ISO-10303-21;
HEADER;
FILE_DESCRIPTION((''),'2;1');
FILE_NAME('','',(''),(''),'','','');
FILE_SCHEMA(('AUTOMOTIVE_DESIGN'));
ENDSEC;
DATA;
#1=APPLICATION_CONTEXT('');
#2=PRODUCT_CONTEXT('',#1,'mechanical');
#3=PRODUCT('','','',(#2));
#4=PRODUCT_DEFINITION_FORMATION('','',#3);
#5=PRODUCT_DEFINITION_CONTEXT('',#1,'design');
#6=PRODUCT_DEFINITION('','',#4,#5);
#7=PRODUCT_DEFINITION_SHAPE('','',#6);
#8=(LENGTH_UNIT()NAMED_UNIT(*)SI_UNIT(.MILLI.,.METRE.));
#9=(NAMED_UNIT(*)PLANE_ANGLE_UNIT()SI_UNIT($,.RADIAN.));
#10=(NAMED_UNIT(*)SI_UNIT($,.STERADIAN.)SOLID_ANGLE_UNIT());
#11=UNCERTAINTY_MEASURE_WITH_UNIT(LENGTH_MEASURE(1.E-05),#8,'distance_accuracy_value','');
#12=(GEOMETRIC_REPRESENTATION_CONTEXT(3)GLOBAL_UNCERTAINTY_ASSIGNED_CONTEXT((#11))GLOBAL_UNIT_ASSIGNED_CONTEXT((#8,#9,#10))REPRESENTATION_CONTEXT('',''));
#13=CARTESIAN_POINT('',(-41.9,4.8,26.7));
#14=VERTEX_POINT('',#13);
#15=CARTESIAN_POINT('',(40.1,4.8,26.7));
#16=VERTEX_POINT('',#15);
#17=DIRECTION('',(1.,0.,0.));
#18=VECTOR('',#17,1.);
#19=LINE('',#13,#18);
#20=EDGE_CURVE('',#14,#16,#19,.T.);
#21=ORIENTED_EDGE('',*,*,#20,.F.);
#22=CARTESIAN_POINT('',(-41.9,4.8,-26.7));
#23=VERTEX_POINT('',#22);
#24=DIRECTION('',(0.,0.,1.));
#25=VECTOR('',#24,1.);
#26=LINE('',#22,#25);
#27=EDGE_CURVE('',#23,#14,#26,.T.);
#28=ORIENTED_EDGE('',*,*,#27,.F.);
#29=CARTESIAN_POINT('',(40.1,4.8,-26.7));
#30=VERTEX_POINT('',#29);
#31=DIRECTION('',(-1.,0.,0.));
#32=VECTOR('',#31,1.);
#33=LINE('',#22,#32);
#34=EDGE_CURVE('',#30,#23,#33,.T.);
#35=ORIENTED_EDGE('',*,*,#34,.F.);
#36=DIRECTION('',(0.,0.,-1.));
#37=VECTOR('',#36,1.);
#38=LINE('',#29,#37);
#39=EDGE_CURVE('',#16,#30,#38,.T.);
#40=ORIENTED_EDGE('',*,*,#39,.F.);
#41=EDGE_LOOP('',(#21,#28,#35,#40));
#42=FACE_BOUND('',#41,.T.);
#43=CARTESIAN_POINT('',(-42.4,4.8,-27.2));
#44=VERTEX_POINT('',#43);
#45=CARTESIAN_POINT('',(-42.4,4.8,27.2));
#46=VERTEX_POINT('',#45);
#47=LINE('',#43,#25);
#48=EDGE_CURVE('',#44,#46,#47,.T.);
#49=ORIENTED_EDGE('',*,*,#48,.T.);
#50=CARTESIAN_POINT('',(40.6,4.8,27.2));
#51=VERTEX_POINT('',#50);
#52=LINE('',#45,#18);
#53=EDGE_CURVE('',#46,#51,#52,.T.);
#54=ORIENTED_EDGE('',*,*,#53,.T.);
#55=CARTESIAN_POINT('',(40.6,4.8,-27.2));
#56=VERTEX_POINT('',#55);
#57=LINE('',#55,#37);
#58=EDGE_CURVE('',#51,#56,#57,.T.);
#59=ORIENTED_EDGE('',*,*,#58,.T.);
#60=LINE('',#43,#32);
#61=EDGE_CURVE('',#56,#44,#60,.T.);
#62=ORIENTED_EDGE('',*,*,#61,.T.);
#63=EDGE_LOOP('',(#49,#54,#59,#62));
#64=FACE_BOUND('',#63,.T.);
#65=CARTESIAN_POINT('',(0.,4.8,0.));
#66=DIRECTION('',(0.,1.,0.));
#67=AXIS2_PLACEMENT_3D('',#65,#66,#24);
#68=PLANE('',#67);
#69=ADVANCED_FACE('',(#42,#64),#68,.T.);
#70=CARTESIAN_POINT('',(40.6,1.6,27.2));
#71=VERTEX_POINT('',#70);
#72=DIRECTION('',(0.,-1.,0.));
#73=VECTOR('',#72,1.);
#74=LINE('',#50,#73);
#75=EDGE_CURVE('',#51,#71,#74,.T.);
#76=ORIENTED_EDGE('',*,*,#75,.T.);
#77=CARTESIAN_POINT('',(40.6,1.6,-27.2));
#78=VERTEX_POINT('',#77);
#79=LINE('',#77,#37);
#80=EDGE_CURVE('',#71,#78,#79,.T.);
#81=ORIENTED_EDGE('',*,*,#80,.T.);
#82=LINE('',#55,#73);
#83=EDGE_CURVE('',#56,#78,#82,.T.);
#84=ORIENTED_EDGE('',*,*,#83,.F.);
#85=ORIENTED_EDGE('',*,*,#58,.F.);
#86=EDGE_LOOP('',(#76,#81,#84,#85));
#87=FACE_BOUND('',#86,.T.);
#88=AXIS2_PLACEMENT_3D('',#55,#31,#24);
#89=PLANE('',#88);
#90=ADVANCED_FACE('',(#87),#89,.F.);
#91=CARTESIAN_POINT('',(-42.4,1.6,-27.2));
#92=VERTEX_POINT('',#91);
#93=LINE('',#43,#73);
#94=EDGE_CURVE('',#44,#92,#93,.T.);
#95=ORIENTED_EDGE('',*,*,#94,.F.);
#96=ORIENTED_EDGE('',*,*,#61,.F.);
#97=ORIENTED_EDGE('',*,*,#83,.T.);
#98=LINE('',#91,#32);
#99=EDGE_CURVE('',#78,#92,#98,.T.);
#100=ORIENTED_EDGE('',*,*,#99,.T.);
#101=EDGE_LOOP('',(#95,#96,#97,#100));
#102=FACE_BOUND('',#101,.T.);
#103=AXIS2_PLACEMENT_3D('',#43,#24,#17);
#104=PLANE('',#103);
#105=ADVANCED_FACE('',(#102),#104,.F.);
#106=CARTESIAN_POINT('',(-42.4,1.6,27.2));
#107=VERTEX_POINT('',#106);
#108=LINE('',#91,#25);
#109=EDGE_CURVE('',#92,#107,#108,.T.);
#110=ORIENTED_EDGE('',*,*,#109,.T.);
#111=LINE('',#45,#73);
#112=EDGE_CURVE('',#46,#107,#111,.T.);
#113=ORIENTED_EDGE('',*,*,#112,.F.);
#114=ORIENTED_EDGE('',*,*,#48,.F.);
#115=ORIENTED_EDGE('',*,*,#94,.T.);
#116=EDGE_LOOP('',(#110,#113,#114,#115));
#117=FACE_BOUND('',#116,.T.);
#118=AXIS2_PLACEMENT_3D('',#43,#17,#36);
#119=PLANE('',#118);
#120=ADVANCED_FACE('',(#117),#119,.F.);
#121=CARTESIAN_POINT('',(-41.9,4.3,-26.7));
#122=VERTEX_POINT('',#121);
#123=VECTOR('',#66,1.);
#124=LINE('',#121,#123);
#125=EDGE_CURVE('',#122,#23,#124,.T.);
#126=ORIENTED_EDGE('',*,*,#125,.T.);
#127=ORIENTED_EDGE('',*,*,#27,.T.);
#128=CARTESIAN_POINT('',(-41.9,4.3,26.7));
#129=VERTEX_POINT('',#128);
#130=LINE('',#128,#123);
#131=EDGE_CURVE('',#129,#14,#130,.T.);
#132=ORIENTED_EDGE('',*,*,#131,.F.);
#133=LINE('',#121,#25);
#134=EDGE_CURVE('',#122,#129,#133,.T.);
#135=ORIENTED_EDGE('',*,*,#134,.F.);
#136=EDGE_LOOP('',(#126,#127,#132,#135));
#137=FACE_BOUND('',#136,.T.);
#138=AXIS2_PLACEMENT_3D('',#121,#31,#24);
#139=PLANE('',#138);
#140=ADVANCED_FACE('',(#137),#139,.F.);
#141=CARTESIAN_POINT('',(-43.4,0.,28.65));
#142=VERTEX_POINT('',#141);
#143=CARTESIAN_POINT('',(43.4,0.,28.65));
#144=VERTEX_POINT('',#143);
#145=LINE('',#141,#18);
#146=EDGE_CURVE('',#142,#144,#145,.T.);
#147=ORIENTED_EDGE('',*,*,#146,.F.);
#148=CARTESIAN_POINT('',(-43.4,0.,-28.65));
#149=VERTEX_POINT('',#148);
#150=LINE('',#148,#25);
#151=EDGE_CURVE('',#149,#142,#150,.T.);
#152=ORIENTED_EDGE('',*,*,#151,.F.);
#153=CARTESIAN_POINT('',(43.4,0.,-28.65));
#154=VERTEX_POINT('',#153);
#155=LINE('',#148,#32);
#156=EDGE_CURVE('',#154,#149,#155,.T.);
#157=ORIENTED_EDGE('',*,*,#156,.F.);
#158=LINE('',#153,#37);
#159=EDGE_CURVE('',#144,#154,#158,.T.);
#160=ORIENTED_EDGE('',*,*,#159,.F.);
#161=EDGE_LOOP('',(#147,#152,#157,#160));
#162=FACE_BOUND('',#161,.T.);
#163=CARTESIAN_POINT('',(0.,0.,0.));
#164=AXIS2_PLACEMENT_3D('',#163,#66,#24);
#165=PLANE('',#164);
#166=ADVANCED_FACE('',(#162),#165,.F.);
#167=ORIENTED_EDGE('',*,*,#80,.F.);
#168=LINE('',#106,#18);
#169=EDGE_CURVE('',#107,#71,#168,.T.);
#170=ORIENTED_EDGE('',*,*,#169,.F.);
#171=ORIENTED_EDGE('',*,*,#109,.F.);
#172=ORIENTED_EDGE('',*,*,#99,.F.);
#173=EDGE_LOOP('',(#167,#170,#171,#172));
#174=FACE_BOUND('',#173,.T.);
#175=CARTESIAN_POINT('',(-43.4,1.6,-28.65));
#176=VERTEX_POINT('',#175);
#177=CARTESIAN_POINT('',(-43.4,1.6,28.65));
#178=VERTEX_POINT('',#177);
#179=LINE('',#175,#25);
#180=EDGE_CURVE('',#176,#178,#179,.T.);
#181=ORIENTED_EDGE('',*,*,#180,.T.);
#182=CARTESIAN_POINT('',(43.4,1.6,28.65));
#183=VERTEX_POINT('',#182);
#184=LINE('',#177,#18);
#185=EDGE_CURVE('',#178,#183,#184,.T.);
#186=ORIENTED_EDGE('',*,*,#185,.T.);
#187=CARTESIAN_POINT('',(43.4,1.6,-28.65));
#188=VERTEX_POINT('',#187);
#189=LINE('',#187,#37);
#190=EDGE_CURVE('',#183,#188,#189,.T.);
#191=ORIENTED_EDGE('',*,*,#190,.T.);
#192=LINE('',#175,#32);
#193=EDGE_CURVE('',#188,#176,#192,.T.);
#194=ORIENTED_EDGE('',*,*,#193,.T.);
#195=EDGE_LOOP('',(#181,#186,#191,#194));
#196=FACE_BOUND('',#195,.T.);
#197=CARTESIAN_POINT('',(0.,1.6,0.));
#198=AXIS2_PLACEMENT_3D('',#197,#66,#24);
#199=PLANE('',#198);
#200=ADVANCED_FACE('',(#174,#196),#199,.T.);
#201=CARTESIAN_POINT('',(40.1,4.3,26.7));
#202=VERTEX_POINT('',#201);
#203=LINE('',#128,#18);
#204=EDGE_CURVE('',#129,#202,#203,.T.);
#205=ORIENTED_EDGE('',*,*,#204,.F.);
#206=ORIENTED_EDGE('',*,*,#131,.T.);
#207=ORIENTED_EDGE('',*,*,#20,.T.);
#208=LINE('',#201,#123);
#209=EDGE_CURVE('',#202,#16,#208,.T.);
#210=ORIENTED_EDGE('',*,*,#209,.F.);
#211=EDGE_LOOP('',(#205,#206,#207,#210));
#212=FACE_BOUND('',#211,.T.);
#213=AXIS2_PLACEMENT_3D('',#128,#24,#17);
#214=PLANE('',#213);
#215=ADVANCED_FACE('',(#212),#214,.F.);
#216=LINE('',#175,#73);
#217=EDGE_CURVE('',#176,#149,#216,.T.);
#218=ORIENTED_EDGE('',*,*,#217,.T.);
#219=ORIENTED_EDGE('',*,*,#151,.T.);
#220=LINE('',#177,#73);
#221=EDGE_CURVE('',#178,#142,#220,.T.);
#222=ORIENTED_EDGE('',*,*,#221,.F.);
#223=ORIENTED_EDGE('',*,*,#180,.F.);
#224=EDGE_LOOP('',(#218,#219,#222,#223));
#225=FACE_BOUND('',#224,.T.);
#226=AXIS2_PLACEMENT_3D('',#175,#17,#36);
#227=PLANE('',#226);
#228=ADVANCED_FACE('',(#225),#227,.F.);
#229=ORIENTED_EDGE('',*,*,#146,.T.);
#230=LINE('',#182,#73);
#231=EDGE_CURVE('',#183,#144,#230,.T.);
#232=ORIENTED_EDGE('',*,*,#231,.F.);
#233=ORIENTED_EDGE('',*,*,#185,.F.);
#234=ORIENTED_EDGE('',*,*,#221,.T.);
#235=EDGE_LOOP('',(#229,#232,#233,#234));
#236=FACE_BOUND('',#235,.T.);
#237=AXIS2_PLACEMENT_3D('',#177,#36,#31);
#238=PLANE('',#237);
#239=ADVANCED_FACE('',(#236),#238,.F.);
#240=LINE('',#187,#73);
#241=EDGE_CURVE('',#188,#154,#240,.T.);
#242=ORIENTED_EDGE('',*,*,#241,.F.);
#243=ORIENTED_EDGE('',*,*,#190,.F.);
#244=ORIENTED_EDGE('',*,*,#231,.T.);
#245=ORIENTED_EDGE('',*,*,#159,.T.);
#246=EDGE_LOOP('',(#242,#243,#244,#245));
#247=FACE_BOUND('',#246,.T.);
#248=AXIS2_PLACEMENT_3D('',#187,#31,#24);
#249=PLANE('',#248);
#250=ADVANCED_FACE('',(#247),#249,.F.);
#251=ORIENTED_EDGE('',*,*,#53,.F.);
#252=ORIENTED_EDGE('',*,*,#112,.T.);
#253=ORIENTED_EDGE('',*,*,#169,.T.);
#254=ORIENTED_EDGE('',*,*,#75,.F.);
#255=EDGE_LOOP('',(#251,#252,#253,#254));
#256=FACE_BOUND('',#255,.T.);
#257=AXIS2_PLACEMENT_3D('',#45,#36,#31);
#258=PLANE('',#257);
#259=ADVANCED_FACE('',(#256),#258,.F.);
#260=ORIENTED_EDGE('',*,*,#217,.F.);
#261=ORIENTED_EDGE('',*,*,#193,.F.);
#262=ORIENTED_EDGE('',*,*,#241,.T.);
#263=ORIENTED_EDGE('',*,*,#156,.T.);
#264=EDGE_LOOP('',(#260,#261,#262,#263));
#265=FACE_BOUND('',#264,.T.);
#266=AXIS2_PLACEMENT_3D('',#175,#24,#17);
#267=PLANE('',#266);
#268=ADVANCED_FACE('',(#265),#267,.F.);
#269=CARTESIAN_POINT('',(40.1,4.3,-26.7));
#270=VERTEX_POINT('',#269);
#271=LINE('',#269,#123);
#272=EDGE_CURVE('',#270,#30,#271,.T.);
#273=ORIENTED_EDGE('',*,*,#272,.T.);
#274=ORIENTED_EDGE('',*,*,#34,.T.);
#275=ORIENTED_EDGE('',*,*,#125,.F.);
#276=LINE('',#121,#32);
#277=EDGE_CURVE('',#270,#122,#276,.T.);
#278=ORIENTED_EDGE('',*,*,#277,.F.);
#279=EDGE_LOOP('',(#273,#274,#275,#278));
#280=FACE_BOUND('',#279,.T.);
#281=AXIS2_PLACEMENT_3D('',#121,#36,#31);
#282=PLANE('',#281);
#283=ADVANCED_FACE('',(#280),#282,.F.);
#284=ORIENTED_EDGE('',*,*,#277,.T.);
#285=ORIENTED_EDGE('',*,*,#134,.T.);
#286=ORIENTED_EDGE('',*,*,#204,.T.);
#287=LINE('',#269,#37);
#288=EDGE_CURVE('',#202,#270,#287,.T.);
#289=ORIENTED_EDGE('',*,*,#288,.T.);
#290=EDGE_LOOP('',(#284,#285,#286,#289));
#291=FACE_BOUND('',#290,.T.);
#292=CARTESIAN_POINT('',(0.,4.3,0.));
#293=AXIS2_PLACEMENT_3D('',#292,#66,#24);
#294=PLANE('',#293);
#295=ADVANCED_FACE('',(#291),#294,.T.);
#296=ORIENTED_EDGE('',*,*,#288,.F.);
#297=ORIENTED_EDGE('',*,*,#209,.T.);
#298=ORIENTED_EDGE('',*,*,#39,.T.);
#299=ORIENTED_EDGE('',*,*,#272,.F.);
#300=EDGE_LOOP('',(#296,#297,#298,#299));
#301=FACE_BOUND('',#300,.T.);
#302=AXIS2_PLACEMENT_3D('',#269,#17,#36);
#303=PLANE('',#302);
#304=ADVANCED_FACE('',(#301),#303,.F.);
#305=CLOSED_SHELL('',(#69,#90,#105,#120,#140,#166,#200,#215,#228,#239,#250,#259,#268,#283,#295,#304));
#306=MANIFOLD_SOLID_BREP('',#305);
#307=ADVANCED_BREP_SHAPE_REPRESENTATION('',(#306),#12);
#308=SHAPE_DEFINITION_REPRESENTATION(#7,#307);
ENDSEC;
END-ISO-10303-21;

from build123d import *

# Parameters (mm, degrees)
SKETCH1_W           = 86.8
SKETCH1_H           = 57.3
BOSS_EXTRUDE1_DEPTH = 1.6
SKETCH2_W           = 83
SKETCH2_H           = 54.4
BOSS_EXTRUDE2_DEPTH = 3.2
SKETCH3_W           = 82
SKETCH3_H           = 53.4
CUT_EXTRUDE1_DEPTH  = 0.5


with BuildPart() as part:
    # Sketch1 → Boss-Extrude1 (new body)
    with BuildSketch(Plane(origin=(0, 0, 0), x_dir=(1, 0, 0), z_dir=(0, 1, 0))):
        Rectangle(SKETCH1_W, SKETCH1_H)
    extrude(amount=BOSS_EXTRUDE1_DEPTH)

    # Sketch2 → Boss-Extrude2 (add)
    with BuildSketch(Plane(origin=(0, 1.6, 0), x_dir=(1, 0, 0), z_dir=(0, 1, 0))):
        with Locations((-0.9, 0)):
            Rectangle(SKETCH2_W, SKETCH2_H)
    extrude(amount=BOSS_EXTRUDE2_DEPTH)

    # Sketch3 → Cut-Extrude1 (cut)
    with BuildSketch(Plane(origin=(0, 4.8, 0), x_dir=(1, 0, 0), z_dir=(0, 1, 0))):
        with Locations((-0.9, 0)):
            Rectangle(SKETCH3_W, SKETCH3_H)
    extrude(amount=-CUT_EXTRUDE1_DEPTH, mode=Mode.SUBTRACT)


solid = part.part
